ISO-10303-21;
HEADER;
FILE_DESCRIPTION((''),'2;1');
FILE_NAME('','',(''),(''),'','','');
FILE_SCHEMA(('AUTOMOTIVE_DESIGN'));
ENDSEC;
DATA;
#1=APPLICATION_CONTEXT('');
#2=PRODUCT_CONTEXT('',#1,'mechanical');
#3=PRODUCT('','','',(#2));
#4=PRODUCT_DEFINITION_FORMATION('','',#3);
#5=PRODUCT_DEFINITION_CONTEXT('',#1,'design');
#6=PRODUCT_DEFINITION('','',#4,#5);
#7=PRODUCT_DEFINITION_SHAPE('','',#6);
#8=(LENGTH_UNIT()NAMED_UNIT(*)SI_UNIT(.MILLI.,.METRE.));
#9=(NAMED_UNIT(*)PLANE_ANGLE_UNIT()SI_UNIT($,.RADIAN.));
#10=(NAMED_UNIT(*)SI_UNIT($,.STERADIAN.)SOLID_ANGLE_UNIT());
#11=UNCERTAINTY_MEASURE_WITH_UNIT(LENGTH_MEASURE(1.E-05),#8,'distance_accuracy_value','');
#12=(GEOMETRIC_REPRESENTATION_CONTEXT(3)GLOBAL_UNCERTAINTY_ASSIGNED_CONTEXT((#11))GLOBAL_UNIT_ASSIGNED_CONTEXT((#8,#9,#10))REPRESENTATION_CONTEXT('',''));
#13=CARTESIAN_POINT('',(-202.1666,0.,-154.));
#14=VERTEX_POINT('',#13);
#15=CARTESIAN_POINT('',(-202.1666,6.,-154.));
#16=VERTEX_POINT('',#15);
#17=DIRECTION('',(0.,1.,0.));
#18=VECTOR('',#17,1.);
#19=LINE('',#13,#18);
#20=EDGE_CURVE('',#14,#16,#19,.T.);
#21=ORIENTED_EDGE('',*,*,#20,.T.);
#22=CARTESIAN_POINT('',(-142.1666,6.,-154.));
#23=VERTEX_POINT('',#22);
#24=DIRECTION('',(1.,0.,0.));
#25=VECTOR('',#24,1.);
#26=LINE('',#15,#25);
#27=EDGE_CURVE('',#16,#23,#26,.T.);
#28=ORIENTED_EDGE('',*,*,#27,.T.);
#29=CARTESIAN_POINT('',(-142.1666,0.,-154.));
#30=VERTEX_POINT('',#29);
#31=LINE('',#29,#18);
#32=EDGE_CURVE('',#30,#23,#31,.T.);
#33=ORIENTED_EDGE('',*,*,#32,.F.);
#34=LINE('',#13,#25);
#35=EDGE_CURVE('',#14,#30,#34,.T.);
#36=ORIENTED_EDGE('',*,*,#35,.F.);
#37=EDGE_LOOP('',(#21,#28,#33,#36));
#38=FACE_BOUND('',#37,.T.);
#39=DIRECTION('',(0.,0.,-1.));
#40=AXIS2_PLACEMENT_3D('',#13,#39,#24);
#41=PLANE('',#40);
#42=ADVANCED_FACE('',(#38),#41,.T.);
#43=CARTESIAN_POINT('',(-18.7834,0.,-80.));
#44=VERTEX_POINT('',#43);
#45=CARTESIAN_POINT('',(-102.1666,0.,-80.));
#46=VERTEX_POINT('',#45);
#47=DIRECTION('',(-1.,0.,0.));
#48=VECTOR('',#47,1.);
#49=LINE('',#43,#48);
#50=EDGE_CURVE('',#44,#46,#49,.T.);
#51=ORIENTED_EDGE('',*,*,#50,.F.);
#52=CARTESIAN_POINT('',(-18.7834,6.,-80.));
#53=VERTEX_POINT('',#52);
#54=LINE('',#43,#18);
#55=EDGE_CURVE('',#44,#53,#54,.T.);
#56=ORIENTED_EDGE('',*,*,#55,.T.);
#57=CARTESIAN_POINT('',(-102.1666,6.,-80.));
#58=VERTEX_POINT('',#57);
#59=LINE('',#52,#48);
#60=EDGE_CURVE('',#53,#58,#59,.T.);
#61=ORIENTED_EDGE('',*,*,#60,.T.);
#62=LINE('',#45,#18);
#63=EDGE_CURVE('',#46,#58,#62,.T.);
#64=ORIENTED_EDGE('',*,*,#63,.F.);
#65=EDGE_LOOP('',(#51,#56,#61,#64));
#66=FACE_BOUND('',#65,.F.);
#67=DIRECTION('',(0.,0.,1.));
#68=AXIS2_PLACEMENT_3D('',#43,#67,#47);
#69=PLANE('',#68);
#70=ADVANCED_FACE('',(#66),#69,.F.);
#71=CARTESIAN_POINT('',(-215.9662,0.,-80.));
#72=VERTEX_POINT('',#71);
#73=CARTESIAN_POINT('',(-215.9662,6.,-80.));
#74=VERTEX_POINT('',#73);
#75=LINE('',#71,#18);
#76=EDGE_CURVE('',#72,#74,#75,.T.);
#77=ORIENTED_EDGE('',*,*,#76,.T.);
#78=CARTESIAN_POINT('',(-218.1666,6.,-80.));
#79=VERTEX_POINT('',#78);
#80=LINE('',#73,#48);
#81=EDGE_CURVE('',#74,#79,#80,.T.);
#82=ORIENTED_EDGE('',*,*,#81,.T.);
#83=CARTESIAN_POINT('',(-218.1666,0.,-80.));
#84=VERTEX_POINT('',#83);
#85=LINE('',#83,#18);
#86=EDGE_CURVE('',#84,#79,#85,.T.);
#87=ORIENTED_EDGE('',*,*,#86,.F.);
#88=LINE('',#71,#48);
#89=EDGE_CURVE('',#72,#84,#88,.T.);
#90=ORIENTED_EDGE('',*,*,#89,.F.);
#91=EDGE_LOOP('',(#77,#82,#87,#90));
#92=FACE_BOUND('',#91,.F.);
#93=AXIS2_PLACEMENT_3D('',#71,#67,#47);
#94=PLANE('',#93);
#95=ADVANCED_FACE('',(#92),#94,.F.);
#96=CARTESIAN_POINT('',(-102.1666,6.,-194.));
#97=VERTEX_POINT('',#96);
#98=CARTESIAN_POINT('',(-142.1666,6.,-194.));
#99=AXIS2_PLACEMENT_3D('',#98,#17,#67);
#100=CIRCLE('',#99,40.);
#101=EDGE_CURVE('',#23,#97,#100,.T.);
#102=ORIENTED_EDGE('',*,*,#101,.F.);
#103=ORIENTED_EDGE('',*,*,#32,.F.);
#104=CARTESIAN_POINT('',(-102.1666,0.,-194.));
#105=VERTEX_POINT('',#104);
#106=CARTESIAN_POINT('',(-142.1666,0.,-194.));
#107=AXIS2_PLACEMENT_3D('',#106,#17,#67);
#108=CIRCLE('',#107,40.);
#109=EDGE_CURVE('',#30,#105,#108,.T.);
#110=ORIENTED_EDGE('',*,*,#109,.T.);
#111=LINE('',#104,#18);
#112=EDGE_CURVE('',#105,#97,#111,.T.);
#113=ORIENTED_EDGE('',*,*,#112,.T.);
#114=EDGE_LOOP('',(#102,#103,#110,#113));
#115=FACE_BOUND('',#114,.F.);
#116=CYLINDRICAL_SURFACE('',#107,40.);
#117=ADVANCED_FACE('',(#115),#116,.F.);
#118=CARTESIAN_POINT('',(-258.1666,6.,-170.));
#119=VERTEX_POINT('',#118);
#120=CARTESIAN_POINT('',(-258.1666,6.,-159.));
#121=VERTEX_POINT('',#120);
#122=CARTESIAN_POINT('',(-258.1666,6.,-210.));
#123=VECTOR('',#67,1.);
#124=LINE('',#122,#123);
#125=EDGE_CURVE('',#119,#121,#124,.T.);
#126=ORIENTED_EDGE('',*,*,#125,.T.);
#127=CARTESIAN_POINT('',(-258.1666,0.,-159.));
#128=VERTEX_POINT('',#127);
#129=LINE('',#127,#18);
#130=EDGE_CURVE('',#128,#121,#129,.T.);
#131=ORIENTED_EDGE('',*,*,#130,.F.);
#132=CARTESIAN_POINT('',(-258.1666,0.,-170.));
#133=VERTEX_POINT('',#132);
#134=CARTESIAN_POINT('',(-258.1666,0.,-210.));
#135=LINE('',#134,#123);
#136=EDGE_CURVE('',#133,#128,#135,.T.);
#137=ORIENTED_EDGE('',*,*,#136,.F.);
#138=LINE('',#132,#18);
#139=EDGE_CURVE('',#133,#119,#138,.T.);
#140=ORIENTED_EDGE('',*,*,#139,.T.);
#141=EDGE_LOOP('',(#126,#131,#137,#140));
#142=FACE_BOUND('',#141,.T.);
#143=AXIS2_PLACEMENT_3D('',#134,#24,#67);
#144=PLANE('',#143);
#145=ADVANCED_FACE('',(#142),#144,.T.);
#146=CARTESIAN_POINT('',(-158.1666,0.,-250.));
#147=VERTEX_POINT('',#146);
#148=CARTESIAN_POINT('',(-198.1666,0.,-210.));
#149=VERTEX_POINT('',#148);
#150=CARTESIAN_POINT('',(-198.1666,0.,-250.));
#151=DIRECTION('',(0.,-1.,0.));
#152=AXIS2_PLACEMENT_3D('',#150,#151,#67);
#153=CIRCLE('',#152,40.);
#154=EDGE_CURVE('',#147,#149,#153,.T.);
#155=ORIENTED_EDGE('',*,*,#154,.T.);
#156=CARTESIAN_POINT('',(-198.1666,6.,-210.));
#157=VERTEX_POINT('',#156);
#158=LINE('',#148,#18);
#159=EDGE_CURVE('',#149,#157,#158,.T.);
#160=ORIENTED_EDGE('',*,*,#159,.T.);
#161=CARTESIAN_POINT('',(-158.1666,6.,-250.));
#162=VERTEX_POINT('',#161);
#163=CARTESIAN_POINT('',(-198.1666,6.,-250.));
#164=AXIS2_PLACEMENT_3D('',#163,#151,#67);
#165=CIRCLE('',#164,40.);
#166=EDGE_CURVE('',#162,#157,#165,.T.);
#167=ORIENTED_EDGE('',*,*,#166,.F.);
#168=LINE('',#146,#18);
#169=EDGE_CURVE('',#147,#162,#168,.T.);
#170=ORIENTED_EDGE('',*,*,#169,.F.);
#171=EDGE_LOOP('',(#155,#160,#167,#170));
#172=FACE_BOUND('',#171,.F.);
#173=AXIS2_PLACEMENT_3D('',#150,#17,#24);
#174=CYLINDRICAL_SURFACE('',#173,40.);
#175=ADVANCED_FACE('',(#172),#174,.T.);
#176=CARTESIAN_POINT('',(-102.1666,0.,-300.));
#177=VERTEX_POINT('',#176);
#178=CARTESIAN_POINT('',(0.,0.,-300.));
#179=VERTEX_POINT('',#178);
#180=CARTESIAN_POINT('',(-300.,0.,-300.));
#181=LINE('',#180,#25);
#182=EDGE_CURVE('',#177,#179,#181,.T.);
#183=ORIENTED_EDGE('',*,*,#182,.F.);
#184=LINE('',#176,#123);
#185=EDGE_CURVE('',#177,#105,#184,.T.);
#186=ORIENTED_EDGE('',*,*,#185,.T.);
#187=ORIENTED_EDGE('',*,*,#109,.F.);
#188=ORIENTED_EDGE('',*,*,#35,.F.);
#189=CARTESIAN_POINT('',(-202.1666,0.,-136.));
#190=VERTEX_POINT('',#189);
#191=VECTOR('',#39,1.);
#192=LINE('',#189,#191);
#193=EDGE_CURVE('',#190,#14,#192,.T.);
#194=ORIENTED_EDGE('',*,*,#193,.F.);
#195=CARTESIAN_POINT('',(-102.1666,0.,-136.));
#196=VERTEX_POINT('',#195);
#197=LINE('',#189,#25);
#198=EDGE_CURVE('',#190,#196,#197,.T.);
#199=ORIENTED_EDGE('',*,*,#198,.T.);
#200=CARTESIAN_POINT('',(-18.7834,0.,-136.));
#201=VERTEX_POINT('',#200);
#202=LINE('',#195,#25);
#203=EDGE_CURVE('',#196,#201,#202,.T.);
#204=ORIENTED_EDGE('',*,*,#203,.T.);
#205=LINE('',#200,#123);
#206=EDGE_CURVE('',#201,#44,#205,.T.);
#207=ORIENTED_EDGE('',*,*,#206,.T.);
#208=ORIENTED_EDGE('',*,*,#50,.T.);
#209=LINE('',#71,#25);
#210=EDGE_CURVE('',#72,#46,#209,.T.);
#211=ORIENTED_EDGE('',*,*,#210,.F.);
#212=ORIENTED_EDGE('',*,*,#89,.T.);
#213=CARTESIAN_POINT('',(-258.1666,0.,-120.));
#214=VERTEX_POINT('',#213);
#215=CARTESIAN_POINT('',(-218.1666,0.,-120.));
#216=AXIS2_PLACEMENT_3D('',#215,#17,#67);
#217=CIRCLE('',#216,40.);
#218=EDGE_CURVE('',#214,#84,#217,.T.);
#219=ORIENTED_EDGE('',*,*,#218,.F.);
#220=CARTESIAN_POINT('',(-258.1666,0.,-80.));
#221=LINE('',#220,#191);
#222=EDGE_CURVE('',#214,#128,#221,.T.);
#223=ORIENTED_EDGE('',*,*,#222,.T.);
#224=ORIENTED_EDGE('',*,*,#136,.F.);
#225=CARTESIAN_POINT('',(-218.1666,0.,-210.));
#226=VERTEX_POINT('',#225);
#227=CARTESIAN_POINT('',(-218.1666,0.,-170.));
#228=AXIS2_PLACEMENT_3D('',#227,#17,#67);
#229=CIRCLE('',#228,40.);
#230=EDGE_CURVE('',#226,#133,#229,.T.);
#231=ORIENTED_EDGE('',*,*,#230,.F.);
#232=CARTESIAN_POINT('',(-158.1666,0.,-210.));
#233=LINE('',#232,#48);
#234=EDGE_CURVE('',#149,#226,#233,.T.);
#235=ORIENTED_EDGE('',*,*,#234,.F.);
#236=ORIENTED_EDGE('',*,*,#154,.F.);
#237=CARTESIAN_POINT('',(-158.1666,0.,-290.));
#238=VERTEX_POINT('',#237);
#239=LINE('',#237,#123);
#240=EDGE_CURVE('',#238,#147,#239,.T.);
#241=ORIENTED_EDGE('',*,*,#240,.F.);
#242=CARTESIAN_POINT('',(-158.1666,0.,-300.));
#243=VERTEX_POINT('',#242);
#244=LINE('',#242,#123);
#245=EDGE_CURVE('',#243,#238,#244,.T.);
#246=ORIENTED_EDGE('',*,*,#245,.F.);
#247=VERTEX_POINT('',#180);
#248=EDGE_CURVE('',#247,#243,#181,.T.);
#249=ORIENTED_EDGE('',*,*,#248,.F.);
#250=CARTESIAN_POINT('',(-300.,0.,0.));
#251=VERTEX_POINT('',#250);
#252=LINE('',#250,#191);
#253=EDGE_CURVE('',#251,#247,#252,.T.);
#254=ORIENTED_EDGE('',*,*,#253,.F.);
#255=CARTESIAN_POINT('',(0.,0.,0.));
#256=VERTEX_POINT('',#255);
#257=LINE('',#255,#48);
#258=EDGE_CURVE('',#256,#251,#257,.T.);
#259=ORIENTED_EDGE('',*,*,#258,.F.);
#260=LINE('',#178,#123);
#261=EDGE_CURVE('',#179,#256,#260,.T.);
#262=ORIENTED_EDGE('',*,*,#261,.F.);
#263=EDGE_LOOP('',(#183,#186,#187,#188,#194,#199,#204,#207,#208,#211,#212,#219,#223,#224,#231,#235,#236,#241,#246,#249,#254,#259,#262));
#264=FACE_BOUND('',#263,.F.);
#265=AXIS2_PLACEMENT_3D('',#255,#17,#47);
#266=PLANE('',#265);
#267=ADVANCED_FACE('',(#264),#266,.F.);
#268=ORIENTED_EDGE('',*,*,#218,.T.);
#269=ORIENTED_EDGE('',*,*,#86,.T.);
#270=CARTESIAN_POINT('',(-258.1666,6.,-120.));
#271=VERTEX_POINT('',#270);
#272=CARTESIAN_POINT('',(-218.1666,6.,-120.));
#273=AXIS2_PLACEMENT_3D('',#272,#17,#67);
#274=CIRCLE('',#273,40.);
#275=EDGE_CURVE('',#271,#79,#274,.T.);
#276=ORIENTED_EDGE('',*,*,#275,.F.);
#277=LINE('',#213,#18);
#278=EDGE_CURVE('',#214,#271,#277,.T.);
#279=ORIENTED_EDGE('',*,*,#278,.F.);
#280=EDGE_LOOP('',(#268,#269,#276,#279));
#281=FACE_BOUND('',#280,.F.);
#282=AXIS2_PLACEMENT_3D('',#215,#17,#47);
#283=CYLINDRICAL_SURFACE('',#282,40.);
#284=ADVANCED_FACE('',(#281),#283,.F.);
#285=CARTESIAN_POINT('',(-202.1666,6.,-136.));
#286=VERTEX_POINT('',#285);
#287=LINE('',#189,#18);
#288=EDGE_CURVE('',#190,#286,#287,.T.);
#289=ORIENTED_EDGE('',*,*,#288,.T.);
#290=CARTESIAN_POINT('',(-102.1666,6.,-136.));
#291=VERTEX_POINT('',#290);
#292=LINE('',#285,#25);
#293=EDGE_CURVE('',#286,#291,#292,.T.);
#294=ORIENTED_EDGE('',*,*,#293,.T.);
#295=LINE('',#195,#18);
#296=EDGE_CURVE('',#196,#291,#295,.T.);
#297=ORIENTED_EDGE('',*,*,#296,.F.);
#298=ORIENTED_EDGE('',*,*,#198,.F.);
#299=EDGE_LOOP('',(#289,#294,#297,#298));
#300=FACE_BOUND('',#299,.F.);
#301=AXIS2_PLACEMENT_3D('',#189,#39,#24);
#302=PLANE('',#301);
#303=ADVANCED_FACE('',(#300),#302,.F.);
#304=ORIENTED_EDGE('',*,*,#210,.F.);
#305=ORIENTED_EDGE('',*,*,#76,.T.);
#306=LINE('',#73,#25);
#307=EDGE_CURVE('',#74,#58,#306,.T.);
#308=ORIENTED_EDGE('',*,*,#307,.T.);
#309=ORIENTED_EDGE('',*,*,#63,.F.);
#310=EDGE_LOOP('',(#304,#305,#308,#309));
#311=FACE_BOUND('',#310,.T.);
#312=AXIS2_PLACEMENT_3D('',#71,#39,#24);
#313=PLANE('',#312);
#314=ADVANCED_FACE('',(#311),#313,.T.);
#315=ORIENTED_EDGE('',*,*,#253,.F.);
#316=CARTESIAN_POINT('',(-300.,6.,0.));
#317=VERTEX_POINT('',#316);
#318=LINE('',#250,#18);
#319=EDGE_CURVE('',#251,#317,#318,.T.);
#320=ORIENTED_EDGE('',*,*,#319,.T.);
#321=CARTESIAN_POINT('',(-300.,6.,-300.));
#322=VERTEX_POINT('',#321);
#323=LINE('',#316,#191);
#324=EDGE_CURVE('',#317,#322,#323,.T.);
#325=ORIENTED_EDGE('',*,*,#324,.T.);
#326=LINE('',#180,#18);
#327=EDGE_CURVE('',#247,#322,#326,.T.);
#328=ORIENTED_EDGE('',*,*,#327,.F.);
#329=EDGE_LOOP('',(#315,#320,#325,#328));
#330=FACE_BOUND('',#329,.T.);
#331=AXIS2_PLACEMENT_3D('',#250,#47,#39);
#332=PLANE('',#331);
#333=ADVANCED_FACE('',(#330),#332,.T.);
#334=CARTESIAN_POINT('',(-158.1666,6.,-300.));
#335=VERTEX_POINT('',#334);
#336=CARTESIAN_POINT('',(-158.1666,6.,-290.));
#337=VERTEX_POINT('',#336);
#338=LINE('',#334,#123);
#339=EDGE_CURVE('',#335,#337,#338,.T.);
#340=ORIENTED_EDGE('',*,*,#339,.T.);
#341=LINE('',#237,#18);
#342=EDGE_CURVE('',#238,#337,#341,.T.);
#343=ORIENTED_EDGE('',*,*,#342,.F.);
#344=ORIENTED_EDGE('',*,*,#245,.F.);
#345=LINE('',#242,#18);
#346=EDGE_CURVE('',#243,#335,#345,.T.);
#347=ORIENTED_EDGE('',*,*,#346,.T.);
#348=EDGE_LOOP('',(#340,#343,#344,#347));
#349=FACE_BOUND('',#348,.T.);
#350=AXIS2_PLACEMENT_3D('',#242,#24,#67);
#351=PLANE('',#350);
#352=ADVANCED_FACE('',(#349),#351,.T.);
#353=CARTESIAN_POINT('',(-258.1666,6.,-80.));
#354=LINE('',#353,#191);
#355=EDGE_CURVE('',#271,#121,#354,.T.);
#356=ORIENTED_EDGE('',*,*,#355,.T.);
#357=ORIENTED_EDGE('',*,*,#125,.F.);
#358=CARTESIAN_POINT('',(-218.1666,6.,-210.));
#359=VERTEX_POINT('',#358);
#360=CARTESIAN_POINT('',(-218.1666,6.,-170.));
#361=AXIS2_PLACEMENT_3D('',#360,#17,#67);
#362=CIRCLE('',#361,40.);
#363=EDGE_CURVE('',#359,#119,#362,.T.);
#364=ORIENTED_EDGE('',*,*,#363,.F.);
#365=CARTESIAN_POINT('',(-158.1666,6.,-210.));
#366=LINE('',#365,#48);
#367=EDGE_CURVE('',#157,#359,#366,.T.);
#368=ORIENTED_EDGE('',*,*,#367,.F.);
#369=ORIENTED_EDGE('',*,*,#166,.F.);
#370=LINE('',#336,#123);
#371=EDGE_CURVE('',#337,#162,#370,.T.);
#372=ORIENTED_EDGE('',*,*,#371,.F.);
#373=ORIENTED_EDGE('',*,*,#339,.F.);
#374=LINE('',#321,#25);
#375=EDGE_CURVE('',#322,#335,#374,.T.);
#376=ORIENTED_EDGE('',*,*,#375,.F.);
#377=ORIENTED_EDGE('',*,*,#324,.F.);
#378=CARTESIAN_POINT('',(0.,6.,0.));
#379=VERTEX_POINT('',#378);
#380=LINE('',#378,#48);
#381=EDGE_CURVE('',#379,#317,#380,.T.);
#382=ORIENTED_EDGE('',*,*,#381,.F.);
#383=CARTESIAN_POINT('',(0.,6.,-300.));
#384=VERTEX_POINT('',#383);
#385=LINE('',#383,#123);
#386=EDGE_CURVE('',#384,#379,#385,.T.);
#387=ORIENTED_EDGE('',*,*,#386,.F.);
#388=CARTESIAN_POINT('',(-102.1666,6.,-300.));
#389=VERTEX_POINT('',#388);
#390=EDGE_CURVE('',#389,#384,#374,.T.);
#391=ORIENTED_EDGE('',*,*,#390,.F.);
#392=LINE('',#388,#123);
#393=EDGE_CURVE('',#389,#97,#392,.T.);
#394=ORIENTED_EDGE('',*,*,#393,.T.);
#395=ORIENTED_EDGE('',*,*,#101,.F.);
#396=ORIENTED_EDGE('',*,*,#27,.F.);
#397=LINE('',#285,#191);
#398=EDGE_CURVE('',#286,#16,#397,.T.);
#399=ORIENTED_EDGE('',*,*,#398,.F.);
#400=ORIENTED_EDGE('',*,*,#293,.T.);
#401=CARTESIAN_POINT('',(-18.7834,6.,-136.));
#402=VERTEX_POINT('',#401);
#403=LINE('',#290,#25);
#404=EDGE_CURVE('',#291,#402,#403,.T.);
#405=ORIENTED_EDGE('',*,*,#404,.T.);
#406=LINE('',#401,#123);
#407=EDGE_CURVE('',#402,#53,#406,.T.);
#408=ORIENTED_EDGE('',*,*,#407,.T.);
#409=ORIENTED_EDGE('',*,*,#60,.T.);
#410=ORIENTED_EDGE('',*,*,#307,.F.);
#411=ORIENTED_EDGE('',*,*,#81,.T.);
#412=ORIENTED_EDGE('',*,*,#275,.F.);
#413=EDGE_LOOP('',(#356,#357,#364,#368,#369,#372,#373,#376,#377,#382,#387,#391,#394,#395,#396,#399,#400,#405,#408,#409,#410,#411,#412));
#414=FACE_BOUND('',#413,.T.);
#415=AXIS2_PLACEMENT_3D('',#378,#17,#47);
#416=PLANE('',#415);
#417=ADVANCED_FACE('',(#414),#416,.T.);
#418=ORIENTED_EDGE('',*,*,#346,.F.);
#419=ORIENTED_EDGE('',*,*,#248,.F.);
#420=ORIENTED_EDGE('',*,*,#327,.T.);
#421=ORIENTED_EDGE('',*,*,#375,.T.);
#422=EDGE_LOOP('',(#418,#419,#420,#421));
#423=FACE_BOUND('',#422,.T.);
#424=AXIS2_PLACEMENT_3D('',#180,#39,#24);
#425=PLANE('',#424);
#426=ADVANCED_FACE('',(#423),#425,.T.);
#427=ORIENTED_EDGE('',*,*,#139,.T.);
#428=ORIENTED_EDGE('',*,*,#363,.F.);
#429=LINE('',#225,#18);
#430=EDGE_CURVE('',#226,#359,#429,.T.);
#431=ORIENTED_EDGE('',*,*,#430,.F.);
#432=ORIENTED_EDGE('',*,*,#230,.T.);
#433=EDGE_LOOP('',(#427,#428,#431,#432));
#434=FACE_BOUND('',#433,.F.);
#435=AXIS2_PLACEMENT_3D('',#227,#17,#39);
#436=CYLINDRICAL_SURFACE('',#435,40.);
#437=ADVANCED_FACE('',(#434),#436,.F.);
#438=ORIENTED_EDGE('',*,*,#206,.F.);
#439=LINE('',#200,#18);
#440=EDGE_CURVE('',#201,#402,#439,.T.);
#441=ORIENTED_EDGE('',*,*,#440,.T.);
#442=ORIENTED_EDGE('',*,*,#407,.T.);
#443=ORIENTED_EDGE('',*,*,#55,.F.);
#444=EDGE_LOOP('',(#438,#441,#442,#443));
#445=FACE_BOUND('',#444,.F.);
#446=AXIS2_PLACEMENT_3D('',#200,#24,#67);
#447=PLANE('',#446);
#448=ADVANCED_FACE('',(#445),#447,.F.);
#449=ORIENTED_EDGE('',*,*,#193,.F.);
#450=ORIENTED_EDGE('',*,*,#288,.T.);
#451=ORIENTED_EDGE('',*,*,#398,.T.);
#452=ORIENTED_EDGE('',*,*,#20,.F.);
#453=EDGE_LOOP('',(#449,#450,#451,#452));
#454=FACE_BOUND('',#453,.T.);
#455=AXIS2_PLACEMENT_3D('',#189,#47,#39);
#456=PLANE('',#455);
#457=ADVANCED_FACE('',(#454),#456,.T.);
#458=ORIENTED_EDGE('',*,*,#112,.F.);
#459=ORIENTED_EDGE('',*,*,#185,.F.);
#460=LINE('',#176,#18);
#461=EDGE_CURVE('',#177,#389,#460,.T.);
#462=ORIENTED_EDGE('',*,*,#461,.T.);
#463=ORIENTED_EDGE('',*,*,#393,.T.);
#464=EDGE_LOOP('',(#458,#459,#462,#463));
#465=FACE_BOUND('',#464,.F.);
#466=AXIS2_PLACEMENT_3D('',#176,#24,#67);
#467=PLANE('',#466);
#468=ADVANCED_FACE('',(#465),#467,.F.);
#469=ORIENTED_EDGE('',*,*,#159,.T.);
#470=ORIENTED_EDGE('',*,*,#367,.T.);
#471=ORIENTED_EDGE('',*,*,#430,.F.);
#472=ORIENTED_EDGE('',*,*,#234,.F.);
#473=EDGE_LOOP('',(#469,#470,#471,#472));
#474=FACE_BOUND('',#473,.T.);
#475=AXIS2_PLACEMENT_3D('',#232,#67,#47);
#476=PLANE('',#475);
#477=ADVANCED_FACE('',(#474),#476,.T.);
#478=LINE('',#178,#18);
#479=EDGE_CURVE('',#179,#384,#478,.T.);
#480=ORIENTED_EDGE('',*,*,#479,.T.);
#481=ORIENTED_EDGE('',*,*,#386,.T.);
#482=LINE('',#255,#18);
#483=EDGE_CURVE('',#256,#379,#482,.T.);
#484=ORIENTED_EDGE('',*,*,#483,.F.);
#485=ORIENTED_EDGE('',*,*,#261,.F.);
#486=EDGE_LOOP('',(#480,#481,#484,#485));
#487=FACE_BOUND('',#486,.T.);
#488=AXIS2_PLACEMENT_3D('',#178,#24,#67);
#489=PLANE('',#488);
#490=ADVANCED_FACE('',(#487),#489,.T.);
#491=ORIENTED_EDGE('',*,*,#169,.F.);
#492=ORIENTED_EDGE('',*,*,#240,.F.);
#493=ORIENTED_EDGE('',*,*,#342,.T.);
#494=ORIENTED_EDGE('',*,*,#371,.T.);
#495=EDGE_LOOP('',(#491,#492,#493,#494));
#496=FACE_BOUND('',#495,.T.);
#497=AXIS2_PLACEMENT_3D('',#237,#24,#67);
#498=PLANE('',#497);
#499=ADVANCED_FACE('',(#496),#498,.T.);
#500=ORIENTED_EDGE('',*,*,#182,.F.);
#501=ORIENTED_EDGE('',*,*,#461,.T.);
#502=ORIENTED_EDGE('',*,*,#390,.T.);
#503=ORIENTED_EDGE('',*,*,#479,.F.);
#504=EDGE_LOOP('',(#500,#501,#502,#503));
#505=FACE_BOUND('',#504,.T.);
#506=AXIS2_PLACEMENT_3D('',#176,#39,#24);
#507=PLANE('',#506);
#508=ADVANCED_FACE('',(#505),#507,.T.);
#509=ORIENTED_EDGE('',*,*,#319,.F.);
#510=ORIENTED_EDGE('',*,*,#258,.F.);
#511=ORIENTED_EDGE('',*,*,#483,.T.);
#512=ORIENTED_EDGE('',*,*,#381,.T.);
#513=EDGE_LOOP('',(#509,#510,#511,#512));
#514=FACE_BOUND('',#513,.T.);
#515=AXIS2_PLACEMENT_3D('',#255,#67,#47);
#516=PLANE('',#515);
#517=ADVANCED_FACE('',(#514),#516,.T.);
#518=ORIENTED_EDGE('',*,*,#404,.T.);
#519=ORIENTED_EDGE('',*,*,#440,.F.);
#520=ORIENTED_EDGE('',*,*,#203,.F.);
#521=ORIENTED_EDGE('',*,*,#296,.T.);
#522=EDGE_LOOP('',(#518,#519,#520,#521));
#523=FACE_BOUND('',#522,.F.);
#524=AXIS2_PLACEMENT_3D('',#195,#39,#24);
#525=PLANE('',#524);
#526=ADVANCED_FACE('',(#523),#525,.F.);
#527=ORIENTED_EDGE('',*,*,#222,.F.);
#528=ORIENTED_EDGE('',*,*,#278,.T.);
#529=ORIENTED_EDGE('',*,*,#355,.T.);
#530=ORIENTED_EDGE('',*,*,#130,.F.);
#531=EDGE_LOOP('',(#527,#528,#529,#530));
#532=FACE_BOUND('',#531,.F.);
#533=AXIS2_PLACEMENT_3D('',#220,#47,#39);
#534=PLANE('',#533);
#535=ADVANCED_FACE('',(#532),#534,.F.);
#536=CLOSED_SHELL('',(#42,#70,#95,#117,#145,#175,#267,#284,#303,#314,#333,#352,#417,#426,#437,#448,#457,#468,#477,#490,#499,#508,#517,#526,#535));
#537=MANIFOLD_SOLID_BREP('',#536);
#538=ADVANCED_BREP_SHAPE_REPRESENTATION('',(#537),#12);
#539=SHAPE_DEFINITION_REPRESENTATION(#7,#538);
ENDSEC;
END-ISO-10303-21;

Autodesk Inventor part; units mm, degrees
ref_plane "YZ Plane" through (0, 0, 0) normal (1, 0, 0) x (0, 1, 0)
ref_plane "XZ Plane" through (0, 0, 0) normal (0, 1, 0) x (-1, 0, 0)
ref_plane "XY Plane" through (0, 0, 0) normal (0, 0, 1) x (1, 0, 0)
sketch "Esquisse1" plane through (0, 0, 0) normal (0, 1, 0) x (-1, 0, 0)
  line L0 (0, 0) -> (300, 0)
  line L1 (300, 0) -> (300, -300)
  line L2 (300, -300) -> (0, -300)
  line L3 (0, -300) -> (0, 0)
  line L4 (158.1666, -300) -> (158.1666, -290)
  line L5 (158.1666, -290) -> (158.1666, -210)
  line L6 (158.1666, -210) -> (258.1666, -210)
  line L7 (258.1666, -210) -> (258.1666, -159)
  line L8 (202.1666, -154) -> (102.1666, -154)
  line L9 (158.1666, -300) -> (102.1666, -300)
  line L10 (102.1666, -300) -> (102.1666, -154)
  line L11 (202.1666, -136) -> (102.1666, -136)
  line L12 (215.9662, -80) -> (258.1666, -80)
  line L13 (258.1666, -80) -> (258.1666, -159)
  line L14 (215.9662, -80) -> (102.1666, -80)
  line L15 (202.1666, -136) -> (202.1666, -154)
  line L16 (102.1666, -136) -> (18.7834, -136)
  line L17 (18.7834, -136) -> (18.7834, -80)
  line L18 (18.7834, -80) -> (102.1666, -80)
  dimension "d0" = 300
  dimension "d1" = 300
  dimension "d4" = 100
  dimension "d7" = 56
  dimension "d13" = 146
  dimension "d14" = 100
  dimension "d15" = 130
  dimension "d17" = 56
  dimension "d18" = 90
extrude "Extrusion2" add sketch "Esquisse1" along normal blind 6 contours L0 L1 L2 L4 L5 L6 L7 L13 L12 L14 L18 L17 L16 L11 L15 L8 L10 L3
fillet "Congé1" radius 40 4 edges at (-102.1666, 3, -154) (-158.1666, 3, -210) (-258.1666, 3, -210) (-258.1666, 3, -80)
properties part number "Plaque vois"
